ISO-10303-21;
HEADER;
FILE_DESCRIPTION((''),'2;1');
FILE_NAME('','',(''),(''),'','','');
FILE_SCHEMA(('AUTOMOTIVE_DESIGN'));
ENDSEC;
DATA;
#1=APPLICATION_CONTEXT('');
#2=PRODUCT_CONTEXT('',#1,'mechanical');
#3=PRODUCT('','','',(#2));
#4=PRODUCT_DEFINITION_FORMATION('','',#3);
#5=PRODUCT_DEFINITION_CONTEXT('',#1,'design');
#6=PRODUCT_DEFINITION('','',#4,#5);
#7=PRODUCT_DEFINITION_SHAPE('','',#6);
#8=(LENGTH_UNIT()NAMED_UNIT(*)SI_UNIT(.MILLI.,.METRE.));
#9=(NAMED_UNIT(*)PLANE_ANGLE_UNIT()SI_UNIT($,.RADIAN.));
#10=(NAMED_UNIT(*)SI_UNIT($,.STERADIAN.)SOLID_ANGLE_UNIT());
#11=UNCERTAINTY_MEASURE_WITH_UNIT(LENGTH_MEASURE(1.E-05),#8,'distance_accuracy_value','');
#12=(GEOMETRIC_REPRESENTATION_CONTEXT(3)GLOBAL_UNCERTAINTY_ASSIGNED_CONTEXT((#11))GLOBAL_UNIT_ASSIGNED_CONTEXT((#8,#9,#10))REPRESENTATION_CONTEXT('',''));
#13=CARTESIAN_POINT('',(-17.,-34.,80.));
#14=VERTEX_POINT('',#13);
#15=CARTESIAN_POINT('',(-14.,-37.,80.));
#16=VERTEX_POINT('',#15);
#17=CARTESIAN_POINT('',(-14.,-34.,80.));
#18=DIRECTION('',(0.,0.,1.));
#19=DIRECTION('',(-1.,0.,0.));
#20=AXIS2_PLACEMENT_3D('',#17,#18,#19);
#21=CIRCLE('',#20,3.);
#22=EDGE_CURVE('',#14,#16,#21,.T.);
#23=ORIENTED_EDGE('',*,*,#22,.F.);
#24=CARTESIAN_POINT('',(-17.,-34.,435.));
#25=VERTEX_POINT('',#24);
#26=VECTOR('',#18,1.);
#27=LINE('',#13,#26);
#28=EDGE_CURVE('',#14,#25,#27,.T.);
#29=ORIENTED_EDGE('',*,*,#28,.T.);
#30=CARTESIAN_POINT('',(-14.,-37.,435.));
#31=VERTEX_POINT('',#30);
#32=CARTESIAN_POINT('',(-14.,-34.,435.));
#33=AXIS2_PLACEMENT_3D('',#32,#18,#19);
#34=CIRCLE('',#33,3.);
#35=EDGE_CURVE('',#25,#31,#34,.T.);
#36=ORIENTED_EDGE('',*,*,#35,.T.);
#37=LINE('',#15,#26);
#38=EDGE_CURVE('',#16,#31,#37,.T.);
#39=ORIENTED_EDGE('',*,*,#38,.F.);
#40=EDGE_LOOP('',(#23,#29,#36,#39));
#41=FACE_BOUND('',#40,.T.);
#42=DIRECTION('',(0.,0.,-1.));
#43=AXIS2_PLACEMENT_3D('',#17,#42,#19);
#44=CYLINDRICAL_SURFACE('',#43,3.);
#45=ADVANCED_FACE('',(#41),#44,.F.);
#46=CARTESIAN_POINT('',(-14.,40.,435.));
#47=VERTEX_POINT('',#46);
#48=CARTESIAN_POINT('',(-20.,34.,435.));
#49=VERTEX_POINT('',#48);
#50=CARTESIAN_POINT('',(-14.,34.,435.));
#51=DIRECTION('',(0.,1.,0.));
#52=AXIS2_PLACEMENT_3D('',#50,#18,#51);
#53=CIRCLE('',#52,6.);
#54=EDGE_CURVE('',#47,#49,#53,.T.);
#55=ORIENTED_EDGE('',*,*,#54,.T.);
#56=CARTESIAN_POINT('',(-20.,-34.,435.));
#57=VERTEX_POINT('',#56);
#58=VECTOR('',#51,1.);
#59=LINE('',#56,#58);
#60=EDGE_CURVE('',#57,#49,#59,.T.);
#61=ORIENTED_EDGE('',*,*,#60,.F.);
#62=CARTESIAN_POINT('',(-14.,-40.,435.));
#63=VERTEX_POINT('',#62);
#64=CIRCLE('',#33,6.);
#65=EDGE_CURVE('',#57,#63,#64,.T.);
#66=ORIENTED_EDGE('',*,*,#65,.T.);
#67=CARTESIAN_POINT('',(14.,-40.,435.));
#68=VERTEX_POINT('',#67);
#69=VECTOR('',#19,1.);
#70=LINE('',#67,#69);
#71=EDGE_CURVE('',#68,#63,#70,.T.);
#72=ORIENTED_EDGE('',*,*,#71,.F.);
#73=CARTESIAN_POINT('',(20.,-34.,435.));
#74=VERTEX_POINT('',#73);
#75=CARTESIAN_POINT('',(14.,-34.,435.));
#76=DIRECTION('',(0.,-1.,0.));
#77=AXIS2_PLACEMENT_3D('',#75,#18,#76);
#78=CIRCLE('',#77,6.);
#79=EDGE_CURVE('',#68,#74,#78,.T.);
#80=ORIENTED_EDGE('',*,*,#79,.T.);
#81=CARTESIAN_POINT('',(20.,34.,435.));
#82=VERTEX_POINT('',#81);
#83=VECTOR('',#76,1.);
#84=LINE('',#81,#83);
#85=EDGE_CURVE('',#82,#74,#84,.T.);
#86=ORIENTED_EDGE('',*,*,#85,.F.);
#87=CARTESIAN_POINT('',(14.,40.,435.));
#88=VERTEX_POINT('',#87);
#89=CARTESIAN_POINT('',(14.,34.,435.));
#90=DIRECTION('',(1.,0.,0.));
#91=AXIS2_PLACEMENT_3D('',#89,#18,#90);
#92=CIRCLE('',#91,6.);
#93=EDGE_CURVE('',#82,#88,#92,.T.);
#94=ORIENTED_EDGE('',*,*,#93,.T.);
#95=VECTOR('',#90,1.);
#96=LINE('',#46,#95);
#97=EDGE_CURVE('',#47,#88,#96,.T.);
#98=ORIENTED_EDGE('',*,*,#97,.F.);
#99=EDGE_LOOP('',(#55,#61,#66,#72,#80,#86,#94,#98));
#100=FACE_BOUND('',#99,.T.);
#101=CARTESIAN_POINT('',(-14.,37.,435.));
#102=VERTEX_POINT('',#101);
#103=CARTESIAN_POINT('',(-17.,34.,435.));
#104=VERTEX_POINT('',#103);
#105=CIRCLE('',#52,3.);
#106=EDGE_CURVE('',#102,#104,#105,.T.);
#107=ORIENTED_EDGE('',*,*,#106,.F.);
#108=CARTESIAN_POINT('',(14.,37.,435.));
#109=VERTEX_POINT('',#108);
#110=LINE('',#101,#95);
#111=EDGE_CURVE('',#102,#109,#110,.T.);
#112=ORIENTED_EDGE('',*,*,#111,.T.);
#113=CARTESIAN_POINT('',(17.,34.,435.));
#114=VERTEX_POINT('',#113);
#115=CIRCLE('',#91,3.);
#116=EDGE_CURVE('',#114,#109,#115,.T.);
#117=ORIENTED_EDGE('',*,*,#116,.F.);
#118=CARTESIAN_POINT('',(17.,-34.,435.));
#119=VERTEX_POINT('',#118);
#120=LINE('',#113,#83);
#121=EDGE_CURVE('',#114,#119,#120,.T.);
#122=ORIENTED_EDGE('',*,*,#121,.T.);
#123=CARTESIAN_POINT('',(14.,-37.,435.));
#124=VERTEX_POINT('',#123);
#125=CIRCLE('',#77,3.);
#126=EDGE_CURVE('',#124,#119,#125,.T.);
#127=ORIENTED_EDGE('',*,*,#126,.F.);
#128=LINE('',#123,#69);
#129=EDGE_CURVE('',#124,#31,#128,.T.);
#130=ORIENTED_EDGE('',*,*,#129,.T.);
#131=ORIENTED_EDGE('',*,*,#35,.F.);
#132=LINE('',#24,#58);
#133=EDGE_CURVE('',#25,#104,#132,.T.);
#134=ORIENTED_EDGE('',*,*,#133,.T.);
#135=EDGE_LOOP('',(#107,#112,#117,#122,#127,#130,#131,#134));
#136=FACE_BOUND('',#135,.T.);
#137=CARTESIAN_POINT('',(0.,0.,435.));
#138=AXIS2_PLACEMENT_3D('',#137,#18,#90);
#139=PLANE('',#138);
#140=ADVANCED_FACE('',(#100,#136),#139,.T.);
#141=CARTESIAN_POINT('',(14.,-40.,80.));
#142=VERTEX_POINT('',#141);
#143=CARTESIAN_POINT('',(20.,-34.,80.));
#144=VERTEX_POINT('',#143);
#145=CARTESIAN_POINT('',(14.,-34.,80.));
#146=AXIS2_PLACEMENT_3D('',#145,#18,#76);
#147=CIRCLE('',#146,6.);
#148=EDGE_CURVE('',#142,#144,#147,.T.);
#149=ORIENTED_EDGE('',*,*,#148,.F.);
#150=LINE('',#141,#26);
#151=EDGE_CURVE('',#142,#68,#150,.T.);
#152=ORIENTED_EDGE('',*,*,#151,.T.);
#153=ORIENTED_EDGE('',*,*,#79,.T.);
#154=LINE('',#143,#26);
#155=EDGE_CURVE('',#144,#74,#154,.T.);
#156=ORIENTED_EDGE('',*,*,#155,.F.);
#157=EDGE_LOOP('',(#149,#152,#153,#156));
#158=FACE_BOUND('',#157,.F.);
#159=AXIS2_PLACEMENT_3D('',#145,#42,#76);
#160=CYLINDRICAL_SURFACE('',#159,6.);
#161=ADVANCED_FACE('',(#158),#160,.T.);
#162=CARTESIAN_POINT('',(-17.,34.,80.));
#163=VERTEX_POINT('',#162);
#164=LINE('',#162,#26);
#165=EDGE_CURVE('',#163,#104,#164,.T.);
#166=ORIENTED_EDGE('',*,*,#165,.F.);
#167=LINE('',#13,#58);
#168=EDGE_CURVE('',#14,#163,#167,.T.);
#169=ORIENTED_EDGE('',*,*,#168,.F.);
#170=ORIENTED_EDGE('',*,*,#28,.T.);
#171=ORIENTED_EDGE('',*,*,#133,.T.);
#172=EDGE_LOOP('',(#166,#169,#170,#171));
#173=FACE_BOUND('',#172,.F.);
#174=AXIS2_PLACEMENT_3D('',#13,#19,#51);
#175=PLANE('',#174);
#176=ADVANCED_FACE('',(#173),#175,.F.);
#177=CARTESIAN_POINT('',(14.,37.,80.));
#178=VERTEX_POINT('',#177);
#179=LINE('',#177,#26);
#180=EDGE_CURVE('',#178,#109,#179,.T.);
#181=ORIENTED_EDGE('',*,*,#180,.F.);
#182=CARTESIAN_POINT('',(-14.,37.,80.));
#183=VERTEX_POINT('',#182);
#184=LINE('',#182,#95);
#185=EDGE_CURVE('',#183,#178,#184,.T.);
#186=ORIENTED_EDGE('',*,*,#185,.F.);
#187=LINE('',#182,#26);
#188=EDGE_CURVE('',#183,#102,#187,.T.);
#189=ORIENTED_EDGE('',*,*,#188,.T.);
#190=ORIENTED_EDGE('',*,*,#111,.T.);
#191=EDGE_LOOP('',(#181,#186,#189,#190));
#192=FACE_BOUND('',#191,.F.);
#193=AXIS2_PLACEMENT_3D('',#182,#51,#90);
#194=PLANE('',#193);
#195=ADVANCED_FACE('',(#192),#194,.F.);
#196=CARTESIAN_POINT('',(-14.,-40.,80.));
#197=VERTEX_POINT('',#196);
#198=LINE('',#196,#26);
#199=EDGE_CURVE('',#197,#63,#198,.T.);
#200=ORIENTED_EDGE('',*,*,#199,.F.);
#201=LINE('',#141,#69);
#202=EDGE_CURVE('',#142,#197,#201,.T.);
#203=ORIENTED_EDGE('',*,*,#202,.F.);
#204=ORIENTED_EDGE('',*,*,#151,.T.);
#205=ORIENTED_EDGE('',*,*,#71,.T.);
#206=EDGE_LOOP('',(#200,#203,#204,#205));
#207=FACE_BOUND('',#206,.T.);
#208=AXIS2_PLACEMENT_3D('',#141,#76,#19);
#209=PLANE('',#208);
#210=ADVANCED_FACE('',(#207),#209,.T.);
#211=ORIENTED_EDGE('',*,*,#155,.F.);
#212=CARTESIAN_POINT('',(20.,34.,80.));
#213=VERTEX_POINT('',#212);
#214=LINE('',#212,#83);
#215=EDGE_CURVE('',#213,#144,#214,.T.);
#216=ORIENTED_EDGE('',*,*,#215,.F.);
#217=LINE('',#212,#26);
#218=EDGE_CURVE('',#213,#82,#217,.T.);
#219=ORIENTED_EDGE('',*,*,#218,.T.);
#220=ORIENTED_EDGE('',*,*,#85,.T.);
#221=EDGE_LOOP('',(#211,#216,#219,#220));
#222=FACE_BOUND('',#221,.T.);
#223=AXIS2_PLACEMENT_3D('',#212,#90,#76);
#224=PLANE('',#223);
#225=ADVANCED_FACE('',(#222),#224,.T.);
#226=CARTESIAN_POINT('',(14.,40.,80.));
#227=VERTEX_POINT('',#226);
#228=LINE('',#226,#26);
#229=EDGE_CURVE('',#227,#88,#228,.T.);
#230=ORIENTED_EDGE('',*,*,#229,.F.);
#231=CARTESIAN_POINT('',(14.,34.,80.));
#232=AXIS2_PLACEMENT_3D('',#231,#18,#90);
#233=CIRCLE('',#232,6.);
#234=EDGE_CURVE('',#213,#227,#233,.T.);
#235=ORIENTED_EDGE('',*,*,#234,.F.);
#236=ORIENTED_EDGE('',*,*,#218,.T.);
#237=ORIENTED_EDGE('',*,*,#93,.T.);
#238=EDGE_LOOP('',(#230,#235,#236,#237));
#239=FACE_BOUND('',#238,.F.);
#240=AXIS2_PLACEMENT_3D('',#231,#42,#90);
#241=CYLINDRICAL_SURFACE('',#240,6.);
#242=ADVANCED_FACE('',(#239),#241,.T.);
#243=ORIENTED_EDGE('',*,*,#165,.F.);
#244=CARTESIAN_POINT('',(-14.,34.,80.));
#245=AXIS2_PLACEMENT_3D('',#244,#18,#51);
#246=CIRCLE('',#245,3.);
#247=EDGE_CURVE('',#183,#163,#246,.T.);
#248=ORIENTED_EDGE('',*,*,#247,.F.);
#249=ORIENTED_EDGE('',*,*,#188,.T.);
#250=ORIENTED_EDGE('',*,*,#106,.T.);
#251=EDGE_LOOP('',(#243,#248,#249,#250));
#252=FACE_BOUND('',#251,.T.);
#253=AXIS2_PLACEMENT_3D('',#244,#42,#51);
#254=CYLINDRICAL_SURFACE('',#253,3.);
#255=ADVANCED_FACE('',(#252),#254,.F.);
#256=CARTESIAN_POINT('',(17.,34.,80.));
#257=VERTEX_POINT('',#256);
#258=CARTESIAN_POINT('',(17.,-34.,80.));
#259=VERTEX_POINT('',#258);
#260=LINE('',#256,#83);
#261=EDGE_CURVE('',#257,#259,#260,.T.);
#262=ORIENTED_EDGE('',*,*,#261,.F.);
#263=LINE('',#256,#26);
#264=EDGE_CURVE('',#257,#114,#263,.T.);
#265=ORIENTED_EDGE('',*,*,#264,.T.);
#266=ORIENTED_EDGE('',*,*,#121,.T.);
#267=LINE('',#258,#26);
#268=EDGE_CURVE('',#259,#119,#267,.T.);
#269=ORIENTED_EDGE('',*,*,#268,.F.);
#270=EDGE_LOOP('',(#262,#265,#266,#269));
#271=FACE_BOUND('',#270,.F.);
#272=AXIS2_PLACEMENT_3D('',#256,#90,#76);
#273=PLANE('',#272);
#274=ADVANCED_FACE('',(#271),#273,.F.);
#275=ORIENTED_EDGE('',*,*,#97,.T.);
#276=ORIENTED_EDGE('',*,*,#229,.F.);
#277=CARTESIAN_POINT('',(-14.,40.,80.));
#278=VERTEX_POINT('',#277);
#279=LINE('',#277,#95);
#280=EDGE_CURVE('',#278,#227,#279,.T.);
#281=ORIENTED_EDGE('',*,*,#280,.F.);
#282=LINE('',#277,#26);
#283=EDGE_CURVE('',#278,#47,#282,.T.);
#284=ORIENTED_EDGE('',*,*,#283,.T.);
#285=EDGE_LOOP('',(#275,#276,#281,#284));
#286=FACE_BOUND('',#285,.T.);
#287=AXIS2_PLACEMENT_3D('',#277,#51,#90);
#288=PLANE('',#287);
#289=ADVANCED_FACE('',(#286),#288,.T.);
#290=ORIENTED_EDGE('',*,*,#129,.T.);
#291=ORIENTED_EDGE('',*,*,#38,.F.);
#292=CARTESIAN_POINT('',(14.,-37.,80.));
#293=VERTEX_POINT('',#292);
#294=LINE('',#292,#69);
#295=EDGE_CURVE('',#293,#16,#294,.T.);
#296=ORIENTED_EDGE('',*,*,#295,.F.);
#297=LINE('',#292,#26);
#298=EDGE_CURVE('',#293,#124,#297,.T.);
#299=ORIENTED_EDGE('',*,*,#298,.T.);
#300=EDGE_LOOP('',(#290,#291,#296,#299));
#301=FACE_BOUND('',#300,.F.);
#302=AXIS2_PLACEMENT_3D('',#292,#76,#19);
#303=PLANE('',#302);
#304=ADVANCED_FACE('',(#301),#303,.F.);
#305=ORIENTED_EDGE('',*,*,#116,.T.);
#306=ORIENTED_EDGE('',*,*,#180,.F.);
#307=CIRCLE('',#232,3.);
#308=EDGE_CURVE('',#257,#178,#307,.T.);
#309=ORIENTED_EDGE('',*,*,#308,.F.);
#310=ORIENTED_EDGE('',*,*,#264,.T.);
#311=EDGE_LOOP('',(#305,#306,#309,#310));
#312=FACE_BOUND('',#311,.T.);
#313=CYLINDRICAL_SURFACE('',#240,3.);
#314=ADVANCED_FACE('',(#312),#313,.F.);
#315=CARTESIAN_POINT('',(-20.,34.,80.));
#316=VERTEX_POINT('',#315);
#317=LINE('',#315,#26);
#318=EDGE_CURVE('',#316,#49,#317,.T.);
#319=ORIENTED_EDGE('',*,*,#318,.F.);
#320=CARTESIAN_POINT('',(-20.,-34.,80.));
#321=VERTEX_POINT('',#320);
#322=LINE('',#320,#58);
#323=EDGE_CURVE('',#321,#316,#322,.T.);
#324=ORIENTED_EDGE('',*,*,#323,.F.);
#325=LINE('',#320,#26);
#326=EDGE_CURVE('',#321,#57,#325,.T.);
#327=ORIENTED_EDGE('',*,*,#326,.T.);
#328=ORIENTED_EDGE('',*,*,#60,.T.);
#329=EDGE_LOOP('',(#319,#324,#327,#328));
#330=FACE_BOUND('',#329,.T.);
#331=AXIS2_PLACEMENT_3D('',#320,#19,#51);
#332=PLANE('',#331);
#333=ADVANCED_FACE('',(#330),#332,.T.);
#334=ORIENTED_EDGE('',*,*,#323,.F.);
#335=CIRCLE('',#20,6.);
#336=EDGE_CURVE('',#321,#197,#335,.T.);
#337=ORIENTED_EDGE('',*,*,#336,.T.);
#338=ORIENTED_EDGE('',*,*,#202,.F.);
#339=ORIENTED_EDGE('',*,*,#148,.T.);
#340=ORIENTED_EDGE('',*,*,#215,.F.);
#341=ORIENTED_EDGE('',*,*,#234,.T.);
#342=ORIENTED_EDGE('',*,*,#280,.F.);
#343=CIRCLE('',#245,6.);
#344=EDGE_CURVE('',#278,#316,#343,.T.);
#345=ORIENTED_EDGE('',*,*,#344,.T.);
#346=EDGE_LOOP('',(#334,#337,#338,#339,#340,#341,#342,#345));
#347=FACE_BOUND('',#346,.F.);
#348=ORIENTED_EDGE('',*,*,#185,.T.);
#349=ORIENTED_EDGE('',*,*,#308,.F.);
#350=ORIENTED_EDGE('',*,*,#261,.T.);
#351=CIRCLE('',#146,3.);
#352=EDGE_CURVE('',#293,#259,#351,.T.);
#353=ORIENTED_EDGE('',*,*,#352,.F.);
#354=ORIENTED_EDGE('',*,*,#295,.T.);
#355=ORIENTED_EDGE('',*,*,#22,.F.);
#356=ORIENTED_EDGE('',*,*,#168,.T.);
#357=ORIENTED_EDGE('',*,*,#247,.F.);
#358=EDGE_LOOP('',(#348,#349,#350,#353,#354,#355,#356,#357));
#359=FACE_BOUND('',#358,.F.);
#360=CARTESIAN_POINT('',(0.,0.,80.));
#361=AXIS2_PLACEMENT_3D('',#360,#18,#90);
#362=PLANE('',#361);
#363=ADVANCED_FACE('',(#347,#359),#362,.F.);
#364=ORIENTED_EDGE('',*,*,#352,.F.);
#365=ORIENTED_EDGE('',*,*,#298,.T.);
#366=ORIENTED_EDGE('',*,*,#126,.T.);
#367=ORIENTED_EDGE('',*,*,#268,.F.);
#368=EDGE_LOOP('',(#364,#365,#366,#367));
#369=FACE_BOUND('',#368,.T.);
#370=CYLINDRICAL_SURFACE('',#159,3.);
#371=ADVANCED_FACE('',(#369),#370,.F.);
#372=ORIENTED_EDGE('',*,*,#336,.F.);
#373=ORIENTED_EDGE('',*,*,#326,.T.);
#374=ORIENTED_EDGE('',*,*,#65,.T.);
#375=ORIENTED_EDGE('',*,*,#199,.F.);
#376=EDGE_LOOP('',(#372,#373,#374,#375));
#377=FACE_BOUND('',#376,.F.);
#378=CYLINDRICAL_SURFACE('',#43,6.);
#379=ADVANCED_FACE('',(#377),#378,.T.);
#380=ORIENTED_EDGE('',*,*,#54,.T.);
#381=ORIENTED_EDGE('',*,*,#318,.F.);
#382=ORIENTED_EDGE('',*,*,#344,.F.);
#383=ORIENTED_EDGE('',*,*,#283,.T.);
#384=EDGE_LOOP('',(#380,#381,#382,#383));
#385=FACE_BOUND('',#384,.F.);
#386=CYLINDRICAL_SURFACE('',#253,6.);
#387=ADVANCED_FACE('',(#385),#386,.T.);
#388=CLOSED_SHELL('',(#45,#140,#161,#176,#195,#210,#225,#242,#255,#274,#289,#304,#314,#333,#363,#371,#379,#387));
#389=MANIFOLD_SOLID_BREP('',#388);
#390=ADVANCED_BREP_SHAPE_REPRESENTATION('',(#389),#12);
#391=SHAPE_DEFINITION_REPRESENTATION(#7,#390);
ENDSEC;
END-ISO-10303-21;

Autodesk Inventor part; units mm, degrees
ref_plane "YZ Plane" through (0, 0, 0) normal (1, 0, 0) x (0, 1, 0)
ref_plane "Start Plane" through (0, 0, 80) normal (0, 0, 1) x (1, 0, 0)
ref_plane "End Plane" through (0, 0, 435) normal (0, 0, 1) x (1, 0, 0)
sketch "Sketch" plane through (0, 0, 0) normal (0, 0, 1) x (1, 0, 0)
  line L0 (-20, -34) -> (-20, 34)
  line L1 (-14, 40) -> (14, 40)
  line L2 (20, 34) -> (20, -34)
  line L3 (14, -40) -> (-14, -40)
  arc A0 (-20, -34) -> (-14, -40) centre (-14, -34) ccw
  arc A1 (20, 34) -> (14, 40) centre (14, 34) ccw
  arc A2 (-14, 40) -> (-20, 34) centre (-14, 34) ccw
  arc A3 (14, -40) -> (20, -34) centre (14, -34) ccw
  arc A4 (-14, 37) -> (-17, 34) centre (-14, 34) ccw
  line L4 (-14, 37) -> (14, 37)
  arc A5 (17, 34) -> (14, 37) centre (14, 34) ccw
  line L5 (17, 34) -> (17, -34)
  arc A6 (14, -37) -> (17, -34) centre (14, -34) ccw
  line L6 (14, -37) -> (-14, -37)
  arc A7 (-17, -34) -> (-14, -37) centre (-14, -34) ccw
  line L7 (-17, -34) -> (-17, 34)
  line L8 (0, 57.7397) -> (0, -57.7397) construction
  line L9 (-29.7397, 0) -> (29.7397, 0) construction
  dimension "d7" = 6
  dimension "d9" = 40
  dimension "d11" = 80
  dimension "d12" = 3
  dimension "d15" = 20
  dimension "d16" = 40
extrude "Body" add sketch "Sketch" along normal up to surface (355 mm away) from surface at 80
sketch "Sketch3" plane through (0, 0, 0) normal (0, 0, 1) x (1, 0, 0)
  line L0 (0, 0) -> (10, 0)
ref_plane "Work Plane3" through (0, 0, 0) normal (0, -1, 0) x (1, 0, 0)
sketch "Sketch4" plane through (0, 0, 0) normal (0, -1, 0) x (1, 0, 0)
  line L0 (-2, 80) -> (12, 80) projected
  line L1 (-2, 435) -> (12, 435) projected
  dimension "d18" = 355
equation "\"d7\" = G_IR"
equation "\"d9\" = G_W"
equation "\"d11\" = G_H"
equation "\"d12\" = G_T"
equation "\"d15\" = 0.5 * d9"
equation "\"d16\" = 0.5 * d11"
equation "\"d3\" = G_L"
equation "\"G_W\" = 40"
equation "\"G_H\" = 80"
equation "\"G_T\" = 3"
equation "\"G_IR\" = 6"
equation "\"G_L\" = d18"
equation "\"d14\" = G_OFFSET_END + B_L"
equation "\"B_L\" = 455"
equation "\"G_OFFSET_END\" = -20"
properties part number "ISO 10799-2 - 80x40x3 - 355" material "Steel, Mild"
